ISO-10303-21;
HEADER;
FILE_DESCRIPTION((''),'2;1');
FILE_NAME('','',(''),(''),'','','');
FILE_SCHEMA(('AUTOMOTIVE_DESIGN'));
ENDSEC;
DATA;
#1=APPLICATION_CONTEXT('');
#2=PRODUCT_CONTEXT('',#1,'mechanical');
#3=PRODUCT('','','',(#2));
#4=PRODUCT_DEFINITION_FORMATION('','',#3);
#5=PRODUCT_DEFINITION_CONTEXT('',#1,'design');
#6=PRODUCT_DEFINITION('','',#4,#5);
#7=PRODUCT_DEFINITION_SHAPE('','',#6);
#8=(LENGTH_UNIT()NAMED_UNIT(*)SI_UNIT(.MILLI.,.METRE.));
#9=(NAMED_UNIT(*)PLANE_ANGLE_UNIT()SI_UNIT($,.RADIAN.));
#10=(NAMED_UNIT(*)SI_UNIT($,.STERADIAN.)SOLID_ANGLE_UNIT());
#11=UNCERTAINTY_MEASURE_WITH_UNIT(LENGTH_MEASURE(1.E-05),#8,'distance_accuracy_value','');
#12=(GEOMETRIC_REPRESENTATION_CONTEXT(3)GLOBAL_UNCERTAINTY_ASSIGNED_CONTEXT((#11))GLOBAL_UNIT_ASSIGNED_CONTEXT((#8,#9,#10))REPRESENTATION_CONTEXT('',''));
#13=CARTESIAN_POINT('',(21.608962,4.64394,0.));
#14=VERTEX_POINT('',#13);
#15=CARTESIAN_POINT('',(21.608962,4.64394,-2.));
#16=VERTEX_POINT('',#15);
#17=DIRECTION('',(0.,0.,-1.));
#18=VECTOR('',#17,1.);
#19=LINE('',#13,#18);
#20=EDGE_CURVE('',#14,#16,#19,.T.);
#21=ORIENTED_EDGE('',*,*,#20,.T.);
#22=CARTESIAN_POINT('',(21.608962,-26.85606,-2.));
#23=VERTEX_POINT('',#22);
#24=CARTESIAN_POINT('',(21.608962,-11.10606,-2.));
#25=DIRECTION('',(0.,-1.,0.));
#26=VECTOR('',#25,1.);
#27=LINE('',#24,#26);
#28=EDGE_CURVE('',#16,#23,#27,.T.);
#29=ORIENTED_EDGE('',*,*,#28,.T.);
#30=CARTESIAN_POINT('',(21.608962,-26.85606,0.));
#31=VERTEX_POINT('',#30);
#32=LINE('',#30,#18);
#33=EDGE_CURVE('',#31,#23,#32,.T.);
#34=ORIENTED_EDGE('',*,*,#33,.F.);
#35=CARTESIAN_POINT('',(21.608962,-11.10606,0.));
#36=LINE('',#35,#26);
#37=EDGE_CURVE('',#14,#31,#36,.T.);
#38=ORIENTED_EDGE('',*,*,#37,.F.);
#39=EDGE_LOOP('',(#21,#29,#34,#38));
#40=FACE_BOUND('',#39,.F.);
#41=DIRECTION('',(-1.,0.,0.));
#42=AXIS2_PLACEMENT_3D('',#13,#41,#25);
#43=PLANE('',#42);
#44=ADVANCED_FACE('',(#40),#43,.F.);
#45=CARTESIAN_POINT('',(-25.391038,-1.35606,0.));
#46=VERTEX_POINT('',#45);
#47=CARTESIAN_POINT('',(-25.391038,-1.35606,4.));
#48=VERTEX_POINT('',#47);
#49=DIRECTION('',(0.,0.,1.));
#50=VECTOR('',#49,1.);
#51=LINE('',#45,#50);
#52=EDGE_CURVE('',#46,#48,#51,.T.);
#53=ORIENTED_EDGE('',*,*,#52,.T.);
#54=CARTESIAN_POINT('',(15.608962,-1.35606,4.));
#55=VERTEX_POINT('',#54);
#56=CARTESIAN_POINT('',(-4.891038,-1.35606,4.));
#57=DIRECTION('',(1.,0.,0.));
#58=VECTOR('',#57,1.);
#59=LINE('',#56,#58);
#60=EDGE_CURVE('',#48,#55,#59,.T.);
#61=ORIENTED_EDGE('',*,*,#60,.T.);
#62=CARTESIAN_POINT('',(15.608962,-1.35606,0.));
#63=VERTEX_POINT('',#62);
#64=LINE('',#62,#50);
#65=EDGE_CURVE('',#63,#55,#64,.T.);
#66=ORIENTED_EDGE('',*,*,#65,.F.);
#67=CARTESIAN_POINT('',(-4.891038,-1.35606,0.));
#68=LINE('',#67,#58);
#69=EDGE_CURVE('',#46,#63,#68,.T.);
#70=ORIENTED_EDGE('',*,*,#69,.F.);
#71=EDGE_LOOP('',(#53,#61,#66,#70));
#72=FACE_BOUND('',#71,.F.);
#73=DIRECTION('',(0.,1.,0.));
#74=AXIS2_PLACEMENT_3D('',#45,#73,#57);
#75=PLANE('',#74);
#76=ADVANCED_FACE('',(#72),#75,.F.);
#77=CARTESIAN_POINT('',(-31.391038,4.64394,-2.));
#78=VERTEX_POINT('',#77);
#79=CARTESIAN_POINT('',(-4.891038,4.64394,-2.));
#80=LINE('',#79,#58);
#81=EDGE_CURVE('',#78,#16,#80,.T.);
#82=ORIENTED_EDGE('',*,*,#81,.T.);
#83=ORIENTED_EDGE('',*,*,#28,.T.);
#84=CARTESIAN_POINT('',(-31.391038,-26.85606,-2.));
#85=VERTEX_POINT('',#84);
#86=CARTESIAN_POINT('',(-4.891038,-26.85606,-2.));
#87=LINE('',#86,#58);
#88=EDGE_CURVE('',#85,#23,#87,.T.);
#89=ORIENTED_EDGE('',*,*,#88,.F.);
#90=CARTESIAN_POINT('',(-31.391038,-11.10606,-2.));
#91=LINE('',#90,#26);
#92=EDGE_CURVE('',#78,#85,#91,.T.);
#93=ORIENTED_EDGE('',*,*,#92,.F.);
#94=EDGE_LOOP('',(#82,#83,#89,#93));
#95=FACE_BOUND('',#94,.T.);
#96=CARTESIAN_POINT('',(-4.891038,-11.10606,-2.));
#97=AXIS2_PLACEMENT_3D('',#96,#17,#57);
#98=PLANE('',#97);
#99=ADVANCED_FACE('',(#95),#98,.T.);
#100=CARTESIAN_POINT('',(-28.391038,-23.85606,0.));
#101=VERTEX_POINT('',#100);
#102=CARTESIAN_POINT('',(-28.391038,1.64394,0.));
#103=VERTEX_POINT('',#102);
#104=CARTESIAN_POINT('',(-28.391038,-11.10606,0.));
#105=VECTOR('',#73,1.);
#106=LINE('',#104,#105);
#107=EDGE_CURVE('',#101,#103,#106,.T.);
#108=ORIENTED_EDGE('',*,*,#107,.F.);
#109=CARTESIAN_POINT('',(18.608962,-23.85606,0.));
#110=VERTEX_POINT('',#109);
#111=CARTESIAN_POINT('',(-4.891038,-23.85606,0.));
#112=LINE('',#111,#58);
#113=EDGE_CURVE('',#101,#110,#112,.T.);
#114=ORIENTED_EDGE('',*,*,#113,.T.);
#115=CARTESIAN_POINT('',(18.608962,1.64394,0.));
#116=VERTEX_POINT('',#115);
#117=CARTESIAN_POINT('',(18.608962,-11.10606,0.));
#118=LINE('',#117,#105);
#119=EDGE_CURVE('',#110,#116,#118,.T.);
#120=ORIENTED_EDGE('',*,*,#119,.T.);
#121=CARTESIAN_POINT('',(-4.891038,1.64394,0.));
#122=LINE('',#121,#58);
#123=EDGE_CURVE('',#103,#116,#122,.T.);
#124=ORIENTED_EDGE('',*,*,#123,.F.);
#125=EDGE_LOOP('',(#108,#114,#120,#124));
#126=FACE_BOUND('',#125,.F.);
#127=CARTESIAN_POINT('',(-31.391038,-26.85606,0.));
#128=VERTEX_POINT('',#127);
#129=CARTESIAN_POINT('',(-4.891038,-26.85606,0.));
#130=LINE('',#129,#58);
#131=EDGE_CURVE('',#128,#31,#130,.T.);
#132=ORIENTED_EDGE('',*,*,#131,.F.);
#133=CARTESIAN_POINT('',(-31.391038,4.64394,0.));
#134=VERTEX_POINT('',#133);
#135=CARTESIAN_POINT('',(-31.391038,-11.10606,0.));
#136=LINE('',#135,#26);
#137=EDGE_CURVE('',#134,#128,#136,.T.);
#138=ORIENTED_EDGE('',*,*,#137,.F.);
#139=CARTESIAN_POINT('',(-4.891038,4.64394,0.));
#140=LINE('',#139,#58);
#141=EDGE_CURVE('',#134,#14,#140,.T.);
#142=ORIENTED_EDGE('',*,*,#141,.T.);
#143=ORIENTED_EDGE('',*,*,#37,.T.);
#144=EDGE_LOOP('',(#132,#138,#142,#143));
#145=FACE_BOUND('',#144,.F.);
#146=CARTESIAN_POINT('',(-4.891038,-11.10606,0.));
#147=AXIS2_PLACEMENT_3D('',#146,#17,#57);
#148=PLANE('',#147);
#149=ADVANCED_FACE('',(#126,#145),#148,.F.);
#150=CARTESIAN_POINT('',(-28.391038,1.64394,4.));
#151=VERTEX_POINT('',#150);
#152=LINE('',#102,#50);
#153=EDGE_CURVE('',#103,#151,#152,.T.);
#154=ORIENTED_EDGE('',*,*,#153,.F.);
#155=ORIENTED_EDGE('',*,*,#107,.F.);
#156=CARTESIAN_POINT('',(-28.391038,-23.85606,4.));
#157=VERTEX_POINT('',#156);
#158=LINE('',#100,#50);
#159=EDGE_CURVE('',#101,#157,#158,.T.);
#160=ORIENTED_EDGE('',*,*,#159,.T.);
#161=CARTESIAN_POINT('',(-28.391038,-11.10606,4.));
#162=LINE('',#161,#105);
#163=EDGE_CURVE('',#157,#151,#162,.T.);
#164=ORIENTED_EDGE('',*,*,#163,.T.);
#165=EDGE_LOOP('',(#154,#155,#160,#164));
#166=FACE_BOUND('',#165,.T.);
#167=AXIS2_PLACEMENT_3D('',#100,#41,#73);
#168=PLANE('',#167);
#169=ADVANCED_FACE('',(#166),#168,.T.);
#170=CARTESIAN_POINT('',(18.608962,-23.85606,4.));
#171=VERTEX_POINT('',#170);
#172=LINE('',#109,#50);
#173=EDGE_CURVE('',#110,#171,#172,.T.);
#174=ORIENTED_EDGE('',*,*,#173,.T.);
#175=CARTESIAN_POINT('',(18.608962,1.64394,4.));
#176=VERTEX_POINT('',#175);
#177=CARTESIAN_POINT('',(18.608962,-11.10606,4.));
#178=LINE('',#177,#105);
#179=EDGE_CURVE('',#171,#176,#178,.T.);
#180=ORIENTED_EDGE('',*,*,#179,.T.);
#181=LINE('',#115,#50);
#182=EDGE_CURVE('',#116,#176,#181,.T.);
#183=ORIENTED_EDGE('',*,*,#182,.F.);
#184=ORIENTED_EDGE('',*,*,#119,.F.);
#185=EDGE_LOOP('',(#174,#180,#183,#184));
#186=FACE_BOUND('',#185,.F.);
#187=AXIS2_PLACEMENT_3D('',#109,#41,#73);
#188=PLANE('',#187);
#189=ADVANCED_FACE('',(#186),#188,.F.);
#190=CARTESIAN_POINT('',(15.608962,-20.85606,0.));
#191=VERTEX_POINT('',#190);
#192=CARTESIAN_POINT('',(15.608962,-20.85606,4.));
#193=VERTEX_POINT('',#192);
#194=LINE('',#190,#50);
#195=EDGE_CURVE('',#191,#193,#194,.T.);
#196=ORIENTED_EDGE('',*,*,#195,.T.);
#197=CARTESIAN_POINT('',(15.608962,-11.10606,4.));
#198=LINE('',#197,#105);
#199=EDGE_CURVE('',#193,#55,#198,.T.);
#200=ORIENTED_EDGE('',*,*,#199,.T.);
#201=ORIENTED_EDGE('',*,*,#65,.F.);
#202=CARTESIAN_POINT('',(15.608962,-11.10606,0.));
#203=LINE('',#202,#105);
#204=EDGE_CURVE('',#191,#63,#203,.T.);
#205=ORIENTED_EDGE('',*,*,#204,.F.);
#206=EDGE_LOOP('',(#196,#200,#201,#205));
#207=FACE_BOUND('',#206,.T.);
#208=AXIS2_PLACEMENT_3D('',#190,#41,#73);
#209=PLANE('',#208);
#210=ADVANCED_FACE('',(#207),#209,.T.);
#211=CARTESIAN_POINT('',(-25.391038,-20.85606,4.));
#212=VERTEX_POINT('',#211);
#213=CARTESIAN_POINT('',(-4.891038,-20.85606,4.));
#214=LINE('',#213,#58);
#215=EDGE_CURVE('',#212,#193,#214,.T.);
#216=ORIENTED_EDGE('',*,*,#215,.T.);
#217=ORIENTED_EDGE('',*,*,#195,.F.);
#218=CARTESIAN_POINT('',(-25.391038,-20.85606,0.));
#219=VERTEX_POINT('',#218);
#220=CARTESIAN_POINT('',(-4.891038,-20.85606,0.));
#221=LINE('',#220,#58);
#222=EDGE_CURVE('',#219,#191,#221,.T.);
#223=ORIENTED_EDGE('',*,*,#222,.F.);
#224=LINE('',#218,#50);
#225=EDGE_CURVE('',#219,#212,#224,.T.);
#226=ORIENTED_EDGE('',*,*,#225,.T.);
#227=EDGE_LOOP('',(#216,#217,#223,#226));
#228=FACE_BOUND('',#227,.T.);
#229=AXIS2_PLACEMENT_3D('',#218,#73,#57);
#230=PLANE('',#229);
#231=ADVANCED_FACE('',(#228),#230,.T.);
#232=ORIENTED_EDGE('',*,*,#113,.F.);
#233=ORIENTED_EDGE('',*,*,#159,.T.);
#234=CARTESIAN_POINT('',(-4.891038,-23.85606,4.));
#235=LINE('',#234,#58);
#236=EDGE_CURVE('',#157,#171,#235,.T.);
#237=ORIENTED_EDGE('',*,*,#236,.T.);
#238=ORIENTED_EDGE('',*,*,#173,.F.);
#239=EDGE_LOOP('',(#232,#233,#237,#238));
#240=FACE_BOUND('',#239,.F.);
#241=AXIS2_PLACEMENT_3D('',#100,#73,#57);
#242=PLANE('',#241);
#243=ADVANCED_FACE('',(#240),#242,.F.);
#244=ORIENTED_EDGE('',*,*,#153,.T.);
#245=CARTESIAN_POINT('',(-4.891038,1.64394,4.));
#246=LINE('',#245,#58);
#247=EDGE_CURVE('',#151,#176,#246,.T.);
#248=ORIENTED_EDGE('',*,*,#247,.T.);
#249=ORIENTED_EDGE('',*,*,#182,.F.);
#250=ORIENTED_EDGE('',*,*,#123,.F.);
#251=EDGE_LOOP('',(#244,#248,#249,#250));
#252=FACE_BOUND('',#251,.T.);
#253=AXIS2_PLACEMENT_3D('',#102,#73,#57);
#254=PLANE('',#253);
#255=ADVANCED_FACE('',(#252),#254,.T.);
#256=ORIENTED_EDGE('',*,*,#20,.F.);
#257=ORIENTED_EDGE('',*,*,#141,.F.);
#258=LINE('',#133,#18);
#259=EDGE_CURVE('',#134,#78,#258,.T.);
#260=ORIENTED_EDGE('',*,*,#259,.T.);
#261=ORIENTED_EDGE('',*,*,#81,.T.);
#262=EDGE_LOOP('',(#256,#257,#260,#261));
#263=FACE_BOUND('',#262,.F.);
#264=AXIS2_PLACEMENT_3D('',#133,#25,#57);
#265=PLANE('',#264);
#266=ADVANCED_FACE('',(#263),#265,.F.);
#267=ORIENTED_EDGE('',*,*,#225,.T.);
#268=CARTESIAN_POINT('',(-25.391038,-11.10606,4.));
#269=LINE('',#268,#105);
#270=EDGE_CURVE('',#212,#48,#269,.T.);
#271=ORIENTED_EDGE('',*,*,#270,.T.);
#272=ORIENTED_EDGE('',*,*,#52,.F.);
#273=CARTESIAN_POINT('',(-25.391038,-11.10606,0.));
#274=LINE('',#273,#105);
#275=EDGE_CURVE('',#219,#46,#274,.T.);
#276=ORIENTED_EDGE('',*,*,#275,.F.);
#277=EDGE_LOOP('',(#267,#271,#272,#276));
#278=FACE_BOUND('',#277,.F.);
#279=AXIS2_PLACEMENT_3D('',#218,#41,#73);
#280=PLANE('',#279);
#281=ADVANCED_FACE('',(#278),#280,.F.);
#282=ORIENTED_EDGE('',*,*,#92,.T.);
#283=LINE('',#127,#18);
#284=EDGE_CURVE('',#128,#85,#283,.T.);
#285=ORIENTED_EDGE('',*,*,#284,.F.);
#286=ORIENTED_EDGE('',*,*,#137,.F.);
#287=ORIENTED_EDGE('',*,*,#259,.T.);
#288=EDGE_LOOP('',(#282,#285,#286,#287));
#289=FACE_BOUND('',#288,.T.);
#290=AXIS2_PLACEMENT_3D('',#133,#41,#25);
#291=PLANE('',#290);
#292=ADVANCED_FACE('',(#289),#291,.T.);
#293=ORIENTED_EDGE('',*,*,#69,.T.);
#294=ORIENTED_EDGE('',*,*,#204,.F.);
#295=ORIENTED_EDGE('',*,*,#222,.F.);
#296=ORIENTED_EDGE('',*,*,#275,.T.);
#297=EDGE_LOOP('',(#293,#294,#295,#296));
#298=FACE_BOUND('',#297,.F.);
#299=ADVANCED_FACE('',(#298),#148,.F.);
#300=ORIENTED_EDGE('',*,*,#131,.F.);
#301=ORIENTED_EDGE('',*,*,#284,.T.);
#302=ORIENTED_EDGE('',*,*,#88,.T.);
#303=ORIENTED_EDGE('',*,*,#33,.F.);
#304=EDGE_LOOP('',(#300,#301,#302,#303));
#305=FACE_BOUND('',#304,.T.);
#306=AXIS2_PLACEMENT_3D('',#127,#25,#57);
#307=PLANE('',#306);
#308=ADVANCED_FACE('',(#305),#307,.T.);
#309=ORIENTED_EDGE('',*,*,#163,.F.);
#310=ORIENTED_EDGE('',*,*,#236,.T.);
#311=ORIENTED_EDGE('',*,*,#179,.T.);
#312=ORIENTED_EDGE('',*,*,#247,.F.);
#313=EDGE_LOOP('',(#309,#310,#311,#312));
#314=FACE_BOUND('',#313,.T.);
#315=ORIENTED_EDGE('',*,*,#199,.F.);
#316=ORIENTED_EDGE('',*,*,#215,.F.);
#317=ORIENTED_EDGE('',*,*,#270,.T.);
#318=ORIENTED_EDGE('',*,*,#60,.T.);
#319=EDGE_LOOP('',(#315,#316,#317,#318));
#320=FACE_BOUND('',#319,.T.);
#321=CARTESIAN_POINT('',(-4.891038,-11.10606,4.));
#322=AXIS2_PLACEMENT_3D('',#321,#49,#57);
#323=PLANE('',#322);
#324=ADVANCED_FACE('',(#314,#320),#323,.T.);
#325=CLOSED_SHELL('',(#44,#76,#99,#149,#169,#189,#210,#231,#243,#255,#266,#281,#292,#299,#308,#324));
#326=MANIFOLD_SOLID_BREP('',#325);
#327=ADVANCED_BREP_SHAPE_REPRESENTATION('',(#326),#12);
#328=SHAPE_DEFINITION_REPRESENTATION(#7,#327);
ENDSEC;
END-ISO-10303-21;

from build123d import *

# Parameters (mm, degrees)
F0_W     = 47
F0_H     = 25.5
F0_W_2   = 41
F0_H_2   = 19.5
F1_DEPTH = 4
F2_W     = 53
F2_H     = 31.5
F2_W_2   = 47
F2_H_2   = 25.5
F2_W_3   = 41
F2_H_3   = 19.5
F3_DEPTH = 2


with BuildPart() as f1:
    # F0 (on Top) → F1 (new body)
    with BuildSketch(Plane.XY):
        with Locations((-4.891038, -11.10606)):
            Rectangle(F0_W, F0_H)
        with Locations((-4.891038, -11.10606)):
            Rectangle(F0_W_2, F0_H_2, mode=Mode.SUBTRACT)
    extrude(amount=F1_DEPTH)

    # F2 (on face) → F3 (join)
    with BuildSketch(Plane(origin=(0, 0, 0), x_dir=(1, 0, 0), z_dir=(0, 0, -1))):
        with Locations((-4.891038, 11.10606)):
            Rectangle(F2_W, F2_H)
        with Locations((-4.891038, 11.10606)):
            Rectangle(F2_W_2, F2_H_2, mode=Mode.SUBTRACT)
        with Locations((-4.891038, 11.10606)):
            Rectangle(F2_W_2, F2_H_2)
        with Locations((-4.891038, 11.10606)):
            Rectangle(F2_W_3, F2_H_3, mode=Mode.SUBTRACT)
        with Locations((-4.891038, 11.10606)):
            Rectangle(F2_W_3, F2_H_3)
    extrude(amount=F3_DEPTH)


solid = f1.part
